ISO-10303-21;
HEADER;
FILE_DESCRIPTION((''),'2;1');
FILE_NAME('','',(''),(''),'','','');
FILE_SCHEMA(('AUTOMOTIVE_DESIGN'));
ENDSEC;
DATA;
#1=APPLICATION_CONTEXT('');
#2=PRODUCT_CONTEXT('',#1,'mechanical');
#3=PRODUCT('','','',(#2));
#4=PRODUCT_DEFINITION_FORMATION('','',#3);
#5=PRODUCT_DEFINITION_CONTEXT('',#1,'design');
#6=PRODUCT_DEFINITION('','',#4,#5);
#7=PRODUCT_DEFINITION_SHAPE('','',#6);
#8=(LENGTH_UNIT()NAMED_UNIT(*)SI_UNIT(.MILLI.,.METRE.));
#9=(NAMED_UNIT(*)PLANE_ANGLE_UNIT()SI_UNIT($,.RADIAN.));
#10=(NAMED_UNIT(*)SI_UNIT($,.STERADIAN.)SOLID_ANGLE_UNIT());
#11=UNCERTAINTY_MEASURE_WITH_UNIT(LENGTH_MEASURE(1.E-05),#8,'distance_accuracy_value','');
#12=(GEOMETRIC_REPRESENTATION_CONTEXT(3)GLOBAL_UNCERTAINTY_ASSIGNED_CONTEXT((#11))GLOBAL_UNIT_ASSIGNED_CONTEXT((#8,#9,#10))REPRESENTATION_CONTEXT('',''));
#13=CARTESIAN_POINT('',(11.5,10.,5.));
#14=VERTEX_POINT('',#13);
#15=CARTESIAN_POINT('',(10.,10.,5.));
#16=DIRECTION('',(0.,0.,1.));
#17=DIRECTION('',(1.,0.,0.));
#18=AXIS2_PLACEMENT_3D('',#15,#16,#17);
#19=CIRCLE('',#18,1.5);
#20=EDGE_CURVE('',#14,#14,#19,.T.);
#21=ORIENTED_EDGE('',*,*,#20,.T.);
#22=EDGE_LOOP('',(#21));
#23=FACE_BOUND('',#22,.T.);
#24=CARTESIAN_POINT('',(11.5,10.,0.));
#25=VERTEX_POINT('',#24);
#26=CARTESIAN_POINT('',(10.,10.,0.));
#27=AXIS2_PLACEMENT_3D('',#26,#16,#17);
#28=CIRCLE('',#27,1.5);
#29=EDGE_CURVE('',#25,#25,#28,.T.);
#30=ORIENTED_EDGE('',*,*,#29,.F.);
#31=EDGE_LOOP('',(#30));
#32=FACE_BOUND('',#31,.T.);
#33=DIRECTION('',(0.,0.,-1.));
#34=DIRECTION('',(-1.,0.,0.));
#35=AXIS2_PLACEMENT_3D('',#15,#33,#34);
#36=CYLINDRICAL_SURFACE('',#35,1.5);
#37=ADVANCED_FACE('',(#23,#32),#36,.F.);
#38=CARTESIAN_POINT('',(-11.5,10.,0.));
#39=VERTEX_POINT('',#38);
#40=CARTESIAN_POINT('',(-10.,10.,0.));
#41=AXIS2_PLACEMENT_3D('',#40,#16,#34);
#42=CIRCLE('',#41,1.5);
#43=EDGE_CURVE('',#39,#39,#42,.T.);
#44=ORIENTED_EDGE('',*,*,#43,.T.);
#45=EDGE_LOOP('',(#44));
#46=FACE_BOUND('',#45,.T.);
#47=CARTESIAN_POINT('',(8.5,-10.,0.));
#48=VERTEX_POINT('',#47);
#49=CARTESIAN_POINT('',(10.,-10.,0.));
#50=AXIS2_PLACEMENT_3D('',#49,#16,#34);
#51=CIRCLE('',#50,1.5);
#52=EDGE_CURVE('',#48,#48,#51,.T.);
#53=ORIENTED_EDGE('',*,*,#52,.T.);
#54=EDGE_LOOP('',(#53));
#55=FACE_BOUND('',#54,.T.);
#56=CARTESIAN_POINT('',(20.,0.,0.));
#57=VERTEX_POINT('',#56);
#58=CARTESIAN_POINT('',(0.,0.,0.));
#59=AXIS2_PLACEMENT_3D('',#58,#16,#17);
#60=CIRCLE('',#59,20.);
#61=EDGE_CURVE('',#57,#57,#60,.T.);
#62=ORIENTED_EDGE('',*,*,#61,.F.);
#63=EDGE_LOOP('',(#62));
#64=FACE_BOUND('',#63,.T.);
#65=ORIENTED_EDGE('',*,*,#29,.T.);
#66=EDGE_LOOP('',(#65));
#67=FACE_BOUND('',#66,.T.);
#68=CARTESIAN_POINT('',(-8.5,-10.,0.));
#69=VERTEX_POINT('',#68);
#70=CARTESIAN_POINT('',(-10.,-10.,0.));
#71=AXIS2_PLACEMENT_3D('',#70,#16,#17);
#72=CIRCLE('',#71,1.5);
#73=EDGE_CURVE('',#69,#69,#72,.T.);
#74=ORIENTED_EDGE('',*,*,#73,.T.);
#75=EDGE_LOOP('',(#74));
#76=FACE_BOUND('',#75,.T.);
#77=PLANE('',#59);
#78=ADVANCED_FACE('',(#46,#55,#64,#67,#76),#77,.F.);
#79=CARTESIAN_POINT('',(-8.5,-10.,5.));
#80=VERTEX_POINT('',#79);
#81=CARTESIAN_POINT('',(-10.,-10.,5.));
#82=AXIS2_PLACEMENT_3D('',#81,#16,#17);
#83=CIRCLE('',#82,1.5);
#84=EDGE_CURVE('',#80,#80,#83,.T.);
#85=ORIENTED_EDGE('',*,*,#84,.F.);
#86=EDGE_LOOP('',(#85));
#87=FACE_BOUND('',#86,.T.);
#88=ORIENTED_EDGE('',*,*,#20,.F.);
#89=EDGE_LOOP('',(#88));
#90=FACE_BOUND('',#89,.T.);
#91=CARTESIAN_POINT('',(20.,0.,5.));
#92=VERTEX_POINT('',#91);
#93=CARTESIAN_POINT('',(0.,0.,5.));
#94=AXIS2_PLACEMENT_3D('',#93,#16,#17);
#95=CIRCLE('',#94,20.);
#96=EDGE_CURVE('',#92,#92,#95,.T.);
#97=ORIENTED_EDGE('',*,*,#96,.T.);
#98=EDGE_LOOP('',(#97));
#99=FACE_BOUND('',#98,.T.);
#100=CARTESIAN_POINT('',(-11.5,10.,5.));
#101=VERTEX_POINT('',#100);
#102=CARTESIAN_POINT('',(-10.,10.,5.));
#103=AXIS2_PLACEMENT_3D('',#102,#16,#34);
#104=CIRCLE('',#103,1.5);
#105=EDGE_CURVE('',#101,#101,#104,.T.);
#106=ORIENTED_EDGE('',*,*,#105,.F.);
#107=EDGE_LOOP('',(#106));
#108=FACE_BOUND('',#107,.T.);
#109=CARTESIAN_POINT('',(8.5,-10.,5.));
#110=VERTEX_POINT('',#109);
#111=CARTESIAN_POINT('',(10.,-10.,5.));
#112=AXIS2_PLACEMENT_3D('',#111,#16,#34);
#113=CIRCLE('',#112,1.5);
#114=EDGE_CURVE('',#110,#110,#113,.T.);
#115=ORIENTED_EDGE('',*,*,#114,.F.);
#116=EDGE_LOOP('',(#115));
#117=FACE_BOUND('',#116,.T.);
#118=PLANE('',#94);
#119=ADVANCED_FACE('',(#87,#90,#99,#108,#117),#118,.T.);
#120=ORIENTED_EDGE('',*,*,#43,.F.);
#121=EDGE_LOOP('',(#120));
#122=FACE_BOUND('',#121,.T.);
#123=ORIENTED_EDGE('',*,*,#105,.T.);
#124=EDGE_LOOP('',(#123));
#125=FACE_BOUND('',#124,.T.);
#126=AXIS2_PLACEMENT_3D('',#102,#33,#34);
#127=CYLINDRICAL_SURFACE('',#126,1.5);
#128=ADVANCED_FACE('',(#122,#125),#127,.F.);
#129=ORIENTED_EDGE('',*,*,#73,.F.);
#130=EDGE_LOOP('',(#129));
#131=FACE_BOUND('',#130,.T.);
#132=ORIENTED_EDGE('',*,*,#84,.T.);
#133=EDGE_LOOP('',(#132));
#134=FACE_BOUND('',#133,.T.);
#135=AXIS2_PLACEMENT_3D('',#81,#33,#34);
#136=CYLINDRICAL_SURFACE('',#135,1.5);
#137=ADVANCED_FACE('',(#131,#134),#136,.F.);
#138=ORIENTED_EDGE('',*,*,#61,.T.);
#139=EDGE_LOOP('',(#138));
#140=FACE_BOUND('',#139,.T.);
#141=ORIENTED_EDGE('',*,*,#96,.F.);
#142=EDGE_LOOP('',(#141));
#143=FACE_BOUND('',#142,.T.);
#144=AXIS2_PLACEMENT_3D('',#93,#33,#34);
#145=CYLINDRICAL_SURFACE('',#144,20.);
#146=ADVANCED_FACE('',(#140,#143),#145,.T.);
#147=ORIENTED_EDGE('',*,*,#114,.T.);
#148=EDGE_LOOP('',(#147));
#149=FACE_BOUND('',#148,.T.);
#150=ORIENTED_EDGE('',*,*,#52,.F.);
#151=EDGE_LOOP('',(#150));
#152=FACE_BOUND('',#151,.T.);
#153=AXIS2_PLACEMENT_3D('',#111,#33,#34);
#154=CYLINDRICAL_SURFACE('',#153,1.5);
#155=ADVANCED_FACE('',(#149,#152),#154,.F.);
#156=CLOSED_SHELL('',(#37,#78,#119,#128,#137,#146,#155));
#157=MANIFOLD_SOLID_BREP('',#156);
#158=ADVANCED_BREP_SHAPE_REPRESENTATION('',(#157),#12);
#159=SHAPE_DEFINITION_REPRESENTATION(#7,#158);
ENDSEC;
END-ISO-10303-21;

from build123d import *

# Parameters (mm, degrees)
SKETCH_1_R      = 20
SKETCH_1_R_2    = 1.5
EXTRUDE_1_DEPTH = 5


with BuildPart() as part:
    # 草圖1 → 填料-伸長1 (new body)
    with BuildSketch(Plane.XY):
        Circle(SKETCH_1_R)
        with Locations((-10, -10)):
            Circle(SKETCH_1_R_2, mode=Mode.SUBTRACT)
        with Locations(Location((-10, 10, 0), (0, 0, 180))):
            Circle(SKETCH_1_R_2, mode=Mode.SUBTRACT)
        with Locations((10, 10)):
            Circle(SKETCH_1_R_2, mode=Mode.SUBTRACT)
        with Locations(Location((10, -10, 0), (0, 0, 180))):
            Circle(SKETCH_1_R_2, mode=Mode.SUBTRACT)
    extrude(amount=EXTRUDE_1_DEPTH)


solid = part.part
